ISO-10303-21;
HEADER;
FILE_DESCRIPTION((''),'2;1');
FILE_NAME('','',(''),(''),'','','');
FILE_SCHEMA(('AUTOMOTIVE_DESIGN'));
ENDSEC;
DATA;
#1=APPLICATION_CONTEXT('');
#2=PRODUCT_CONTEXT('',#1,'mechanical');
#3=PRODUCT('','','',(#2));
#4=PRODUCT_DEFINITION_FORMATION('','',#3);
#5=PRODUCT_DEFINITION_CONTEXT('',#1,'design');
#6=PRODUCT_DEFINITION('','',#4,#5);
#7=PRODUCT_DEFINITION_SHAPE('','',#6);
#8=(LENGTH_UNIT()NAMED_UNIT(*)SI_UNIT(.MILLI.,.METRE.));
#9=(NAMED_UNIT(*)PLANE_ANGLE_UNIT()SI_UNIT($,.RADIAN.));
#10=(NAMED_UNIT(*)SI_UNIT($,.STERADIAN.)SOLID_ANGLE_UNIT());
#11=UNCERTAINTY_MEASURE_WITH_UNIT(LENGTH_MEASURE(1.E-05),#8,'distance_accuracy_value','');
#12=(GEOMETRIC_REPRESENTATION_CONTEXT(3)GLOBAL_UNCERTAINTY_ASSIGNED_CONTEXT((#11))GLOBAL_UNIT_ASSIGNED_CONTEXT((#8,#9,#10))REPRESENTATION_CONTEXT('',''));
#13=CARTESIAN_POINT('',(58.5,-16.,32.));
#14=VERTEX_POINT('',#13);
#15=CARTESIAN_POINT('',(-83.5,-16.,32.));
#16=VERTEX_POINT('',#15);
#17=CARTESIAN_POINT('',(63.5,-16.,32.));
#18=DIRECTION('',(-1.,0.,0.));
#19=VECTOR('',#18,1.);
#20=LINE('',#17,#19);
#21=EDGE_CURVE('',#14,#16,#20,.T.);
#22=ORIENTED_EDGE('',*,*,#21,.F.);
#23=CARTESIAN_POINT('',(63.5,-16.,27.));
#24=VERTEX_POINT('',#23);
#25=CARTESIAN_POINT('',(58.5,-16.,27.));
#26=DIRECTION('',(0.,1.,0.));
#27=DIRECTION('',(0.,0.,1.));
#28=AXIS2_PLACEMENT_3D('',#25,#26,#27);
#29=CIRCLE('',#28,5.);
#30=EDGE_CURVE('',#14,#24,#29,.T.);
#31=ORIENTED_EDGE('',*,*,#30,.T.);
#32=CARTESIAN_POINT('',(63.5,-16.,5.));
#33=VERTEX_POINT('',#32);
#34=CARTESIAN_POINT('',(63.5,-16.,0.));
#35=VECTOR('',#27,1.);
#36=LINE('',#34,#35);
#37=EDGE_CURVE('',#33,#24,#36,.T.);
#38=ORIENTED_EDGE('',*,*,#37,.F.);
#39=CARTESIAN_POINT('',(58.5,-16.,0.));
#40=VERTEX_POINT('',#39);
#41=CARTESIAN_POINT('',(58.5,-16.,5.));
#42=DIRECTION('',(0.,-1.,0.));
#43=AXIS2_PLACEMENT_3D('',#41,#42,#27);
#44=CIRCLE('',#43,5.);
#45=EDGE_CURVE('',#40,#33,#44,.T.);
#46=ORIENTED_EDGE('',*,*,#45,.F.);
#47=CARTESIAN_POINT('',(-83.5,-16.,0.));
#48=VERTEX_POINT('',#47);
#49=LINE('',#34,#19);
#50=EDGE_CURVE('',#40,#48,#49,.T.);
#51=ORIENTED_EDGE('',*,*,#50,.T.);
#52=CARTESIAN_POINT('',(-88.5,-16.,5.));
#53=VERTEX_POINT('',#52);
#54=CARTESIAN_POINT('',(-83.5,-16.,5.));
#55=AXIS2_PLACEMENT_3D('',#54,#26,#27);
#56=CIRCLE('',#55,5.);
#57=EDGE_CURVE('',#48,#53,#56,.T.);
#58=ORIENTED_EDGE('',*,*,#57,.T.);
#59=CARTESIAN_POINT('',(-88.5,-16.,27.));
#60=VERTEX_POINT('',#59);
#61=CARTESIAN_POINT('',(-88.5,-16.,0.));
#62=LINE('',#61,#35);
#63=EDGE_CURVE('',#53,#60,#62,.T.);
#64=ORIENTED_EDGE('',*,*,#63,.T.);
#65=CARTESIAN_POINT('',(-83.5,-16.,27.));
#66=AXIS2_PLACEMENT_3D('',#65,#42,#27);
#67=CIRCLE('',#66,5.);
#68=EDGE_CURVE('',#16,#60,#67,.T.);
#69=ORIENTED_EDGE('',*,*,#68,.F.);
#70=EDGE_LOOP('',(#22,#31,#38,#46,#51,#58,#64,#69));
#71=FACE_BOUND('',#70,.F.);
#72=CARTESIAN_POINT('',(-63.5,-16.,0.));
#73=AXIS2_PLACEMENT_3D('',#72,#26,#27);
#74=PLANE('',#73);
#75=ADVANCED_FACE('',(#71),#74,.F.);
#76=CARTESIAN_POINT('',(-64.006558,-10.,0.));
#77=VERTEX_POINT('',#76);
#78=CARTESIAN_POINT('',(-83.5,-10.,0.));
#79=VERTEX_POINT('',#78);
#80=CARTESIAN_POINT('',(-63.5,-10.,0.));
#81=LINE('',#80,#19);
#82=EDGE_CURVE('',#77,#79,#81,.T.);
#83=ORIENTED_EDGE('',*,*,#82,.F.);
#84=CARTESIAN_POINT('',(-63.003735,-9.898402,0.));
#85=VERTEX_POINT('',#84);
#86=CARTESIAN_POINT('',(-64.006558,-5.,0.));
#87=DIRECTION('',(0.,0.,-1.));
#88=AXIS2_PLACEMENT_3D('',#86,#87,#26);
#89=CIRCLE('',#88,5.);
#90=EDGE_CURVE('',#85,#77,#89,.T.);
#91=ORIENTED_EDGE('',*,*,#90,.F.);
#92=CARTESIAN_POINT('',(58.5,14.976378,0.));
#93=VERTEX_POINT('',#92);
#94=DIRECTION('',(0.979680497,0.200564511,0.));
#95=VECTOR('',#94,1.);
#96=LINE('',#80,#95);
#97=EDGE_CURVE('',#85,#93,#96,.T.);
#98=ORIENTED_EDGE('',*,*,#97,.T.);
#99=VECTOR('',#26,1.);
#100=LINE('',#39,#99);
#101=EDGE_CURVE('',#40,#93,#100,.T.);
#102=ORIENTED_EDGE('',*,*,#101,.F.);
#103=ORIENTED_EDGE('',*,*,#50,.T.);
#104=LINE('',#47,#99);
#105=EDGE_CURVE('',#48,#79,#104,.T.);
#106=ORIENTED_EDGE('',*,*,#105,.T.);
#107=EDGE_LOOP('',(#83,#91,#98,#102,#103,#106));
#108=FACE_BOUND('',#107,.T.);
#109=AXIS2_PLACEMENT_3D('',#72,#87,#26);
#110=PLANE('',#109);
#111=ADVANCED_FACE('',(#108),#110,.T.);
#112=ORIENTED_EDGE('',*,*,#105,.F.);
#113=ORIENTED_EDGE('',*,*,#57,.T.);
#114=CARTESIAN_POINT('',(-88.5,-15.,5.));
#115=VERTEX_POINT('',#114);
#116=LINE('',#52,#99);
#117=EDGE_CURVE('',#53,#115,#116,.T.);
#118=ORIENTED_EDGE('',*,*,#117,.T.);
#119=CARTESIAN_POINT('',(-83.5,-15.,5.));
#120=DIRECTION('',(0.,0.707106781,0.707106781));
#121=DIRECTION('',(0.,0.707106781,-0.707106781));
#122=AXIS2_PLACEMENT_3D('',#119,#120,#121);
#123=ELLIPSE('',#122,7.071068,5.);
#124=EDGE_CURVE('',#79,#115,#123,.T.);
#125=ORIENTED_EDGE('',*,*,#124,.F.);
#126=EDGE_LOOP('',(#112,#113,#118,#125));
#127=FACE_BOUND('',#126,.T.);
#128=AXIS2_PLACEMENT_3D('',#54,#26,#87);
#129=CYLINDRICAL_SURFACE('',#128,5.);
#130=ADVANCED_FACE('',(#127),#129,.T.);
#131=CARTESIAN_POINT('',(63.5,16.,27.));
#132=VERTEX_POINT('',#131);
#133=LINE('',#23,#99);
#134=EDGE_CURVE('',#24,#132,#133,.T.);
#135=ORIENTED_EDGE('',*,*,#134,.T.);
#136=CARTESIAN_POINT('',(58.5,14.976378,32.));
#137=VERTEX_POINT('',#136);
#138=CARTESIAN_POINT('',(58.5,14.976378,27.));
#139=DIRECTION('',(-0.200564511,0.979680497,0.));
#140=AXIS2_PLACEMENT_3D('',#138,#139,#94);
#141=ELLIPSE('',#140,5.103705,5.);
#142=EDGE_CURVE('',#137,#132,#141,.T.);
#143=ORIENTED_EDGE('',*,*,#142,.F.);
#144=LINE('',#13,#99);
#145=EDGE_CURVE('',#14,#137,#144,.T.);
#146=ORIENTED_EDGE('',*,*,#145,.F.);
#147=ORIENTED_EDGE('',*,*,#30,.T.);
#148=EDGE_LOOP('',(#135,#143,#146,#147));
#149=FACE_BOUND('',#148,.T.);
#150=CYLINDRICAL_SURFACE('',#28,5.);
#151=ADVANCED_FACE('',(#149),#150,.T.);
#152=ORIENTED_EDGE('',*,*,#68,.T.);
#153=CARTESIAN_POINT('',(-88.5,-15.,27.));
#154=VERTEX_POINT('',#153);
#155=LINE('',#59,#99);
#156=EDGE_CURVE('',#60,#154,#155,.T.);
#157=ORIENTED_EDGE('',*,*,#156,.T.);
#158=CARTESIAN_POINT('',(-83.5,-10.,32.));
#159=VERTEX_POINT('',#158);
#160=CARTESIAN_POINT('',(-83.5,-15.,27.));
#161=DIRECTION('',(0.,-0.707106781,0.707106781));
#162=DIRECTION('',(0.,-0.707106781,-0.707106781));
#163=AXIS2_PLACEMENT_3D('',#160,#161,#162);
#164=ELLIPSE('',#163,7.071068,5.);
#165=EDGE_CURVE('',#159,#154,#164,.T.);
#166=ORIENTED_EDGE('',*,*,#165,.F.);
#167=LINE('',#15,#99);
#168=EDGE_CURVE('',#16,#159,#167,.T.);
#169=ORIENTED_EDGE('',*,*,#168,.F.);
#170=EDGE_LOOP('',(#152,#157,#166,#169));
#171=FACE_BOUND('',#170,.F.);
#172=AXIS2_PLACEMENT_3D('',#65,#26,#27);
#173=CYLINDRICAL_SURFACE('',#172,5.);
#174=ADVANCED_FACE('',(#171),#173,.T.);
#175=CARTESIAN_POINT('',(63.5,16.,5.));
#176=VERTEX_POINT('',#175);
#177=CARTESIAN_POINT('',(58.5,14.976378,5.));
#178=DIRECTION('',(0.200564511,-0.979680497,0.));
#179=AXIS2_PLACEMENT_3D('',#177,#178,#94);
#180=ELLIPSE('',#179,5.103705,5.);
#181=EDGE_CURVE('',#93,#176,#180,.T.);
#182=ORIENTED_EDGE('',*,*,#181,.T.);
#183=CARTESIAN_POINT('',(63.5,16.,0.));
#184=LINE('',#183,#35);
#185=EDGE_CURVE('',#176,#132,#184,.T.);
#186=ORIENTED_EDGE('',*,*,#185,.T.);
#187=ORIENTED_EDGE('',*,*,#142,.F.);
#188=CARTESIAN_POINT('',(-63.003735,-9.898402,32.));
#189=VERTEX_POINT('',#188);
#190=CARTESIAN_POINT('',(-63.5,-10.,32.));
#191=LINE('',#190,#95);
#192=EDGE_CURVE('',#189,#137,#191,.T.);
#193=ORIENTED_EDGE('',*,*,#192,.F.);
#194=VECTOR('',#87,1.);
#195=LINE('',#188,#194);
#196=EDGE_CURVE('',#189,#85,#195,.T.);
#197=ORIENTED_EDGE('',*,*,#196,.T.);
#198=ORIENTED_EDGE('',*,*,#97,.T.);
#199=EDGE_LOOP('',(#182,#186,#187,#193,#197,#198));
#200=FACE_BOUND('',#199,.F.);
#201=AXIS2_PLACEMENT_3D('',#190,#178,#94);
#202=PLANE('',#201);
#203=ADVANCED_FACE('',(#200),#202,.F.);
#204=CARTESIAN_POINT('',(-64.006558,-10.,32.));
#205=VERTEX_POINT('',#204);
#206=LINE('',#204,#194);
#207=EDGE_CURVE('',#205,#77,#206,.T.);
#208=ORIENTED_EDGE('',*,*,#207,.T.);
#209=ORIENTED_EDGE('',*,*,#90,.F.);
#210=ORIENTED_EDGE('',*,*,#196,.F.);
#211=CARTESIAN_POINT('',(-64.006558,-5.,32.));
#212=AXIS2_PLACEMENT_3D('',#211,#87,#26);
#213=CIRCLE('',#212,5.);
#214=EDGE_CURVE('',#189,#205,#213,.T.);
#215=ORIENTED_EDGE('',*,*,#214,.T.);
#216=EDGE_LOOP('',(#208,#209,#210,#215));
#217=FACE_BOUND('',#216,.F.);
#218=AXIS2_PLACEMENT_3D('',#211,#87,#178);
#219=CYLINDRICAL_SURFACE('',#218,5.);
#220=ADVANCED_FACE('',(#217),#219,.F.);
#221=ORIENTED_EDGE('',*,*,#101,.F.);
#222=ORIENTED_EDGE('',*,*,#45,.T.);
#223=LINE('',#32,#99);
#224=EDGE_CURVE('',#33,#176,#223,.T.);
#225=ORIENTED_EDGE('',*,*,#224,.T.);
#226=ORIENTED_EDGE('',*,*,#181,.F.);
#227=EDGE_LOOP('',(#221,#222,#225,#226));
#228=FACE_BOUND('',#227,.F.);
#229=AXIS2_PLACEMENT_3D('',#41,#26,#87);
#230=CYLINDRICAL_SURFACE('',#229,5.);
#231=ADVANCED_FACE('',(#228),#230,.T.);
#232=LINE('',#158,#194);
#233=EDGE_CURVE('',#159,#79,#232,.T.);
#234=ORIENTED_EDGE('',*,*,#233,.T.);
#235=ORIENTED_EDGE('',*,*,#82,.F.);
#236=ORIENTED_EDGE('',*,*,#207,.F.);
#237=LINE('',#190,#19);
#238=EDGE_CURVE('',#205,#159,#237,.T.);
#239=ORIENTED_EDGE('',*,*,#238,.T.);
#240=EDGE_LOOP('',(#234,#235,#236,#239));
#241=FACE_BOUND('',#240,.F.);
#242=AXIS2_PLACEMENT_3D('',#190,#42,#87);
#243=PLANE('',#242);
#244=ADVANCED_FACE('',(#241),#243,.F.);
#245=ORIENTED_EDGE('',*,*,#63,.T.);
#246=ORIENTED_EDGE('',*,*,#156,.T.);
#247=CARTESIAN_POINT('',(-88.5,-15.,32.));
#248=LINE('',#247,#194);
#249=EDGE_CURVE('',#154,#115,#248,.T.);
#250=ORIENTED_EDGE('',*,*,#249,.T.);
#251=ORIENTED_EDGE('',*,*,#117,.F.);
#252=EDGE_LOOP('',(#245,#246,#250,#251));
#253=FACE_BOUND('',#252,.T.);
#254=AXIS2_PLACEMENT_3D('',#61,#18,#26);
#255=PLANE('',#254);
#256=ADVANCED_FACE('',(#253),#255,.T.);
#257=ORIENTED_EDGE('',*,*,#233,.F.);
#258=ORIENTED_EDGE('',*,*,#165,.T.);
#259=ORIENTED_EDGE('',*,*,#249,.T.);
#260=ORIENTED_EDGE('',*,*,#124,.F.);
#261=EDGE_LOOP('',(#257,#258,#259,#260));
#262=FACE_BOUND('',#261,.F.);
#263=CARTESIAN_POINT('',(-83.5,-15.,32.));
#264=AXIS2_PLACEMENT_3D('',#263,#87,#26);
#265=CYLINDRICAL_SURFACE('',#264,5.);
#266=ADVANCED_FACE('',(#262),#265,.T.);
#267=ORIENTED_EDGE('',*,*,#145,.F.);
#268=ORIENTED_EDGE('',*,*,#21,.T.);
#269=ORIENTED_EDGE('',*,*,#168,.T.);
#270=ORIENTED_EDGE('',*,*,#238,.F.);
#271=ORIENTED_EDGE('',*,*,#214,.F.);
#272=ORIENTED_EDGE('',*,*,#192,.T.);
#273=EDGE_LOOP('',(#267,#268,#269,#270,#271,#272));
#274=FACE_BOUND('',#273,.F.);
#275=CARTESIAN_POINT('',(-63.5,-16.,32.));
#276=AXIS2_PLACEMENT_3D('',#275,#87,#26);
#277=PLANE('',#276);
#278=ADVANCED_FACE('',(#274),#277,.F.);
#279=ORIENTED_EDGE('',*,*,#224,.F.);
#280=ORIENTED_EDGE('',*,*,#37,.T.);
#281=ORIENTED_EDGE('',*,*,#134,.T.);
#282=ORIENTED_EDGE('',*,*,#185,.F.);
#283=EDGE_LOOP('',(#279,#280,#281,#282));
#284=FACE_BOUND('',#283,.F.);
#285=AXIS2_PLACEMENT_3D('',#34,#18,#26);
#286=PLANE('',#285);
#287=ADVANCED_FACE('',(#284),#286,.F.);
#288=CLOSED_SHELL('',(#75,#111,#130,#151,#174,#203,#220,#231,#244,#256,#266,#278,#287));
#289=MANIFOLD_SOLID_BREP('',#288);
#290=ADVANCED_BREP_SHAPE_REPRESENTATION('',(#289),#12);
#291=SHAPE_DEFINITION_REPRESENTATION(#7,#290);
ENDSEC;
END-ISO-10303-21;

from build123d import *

# Parameters (mm, degrees)
F0_W     = 127
F0_H     = 32
F1_DEPTH = 32
F3_DEPTH = 32
F4_DEPTH = 25
F5_R     = 5


with BuildPart() as f1:
    # F0 (on Top) → F1 (new body)
    with BuildSketch(Plane.XY):
        Rectangle(F0_W, F0_H)
    extrude(amount=F1_DEPTH)

    # F2 (on face) → F3 (cut, through all)
    with BuildSketch(Plane.XY.offset(32)):
        Polygon((-63.5, 16), (-63.5, -10), (63.5, 16), align=None)
    extrude(amount=-F3_DEPTH, mode=Mode.SUBTRACT)

    # F4 (add): a face of the model
    f4_faces = [f1.faces().sort_by_distance(p)[0] for p in [
        (-63.5, -13, 16),
    ]]
    extrude(f4_faces, amount=F4_DEPTH)

    # F5
    f5_edges = [f1.edges().sort_by_distance(p)[0] for p in [
        (63.5, 0, 32),
        (63.5, 0, 0),
        (-63.5, -10, 16),
        (-88.5, -10, 16),
        (-88.5, -13, 32),
        (-88.5, -13, 0),
    ]]
    fillet(f5_edges, radius=F5_R)


solid = f1.part
